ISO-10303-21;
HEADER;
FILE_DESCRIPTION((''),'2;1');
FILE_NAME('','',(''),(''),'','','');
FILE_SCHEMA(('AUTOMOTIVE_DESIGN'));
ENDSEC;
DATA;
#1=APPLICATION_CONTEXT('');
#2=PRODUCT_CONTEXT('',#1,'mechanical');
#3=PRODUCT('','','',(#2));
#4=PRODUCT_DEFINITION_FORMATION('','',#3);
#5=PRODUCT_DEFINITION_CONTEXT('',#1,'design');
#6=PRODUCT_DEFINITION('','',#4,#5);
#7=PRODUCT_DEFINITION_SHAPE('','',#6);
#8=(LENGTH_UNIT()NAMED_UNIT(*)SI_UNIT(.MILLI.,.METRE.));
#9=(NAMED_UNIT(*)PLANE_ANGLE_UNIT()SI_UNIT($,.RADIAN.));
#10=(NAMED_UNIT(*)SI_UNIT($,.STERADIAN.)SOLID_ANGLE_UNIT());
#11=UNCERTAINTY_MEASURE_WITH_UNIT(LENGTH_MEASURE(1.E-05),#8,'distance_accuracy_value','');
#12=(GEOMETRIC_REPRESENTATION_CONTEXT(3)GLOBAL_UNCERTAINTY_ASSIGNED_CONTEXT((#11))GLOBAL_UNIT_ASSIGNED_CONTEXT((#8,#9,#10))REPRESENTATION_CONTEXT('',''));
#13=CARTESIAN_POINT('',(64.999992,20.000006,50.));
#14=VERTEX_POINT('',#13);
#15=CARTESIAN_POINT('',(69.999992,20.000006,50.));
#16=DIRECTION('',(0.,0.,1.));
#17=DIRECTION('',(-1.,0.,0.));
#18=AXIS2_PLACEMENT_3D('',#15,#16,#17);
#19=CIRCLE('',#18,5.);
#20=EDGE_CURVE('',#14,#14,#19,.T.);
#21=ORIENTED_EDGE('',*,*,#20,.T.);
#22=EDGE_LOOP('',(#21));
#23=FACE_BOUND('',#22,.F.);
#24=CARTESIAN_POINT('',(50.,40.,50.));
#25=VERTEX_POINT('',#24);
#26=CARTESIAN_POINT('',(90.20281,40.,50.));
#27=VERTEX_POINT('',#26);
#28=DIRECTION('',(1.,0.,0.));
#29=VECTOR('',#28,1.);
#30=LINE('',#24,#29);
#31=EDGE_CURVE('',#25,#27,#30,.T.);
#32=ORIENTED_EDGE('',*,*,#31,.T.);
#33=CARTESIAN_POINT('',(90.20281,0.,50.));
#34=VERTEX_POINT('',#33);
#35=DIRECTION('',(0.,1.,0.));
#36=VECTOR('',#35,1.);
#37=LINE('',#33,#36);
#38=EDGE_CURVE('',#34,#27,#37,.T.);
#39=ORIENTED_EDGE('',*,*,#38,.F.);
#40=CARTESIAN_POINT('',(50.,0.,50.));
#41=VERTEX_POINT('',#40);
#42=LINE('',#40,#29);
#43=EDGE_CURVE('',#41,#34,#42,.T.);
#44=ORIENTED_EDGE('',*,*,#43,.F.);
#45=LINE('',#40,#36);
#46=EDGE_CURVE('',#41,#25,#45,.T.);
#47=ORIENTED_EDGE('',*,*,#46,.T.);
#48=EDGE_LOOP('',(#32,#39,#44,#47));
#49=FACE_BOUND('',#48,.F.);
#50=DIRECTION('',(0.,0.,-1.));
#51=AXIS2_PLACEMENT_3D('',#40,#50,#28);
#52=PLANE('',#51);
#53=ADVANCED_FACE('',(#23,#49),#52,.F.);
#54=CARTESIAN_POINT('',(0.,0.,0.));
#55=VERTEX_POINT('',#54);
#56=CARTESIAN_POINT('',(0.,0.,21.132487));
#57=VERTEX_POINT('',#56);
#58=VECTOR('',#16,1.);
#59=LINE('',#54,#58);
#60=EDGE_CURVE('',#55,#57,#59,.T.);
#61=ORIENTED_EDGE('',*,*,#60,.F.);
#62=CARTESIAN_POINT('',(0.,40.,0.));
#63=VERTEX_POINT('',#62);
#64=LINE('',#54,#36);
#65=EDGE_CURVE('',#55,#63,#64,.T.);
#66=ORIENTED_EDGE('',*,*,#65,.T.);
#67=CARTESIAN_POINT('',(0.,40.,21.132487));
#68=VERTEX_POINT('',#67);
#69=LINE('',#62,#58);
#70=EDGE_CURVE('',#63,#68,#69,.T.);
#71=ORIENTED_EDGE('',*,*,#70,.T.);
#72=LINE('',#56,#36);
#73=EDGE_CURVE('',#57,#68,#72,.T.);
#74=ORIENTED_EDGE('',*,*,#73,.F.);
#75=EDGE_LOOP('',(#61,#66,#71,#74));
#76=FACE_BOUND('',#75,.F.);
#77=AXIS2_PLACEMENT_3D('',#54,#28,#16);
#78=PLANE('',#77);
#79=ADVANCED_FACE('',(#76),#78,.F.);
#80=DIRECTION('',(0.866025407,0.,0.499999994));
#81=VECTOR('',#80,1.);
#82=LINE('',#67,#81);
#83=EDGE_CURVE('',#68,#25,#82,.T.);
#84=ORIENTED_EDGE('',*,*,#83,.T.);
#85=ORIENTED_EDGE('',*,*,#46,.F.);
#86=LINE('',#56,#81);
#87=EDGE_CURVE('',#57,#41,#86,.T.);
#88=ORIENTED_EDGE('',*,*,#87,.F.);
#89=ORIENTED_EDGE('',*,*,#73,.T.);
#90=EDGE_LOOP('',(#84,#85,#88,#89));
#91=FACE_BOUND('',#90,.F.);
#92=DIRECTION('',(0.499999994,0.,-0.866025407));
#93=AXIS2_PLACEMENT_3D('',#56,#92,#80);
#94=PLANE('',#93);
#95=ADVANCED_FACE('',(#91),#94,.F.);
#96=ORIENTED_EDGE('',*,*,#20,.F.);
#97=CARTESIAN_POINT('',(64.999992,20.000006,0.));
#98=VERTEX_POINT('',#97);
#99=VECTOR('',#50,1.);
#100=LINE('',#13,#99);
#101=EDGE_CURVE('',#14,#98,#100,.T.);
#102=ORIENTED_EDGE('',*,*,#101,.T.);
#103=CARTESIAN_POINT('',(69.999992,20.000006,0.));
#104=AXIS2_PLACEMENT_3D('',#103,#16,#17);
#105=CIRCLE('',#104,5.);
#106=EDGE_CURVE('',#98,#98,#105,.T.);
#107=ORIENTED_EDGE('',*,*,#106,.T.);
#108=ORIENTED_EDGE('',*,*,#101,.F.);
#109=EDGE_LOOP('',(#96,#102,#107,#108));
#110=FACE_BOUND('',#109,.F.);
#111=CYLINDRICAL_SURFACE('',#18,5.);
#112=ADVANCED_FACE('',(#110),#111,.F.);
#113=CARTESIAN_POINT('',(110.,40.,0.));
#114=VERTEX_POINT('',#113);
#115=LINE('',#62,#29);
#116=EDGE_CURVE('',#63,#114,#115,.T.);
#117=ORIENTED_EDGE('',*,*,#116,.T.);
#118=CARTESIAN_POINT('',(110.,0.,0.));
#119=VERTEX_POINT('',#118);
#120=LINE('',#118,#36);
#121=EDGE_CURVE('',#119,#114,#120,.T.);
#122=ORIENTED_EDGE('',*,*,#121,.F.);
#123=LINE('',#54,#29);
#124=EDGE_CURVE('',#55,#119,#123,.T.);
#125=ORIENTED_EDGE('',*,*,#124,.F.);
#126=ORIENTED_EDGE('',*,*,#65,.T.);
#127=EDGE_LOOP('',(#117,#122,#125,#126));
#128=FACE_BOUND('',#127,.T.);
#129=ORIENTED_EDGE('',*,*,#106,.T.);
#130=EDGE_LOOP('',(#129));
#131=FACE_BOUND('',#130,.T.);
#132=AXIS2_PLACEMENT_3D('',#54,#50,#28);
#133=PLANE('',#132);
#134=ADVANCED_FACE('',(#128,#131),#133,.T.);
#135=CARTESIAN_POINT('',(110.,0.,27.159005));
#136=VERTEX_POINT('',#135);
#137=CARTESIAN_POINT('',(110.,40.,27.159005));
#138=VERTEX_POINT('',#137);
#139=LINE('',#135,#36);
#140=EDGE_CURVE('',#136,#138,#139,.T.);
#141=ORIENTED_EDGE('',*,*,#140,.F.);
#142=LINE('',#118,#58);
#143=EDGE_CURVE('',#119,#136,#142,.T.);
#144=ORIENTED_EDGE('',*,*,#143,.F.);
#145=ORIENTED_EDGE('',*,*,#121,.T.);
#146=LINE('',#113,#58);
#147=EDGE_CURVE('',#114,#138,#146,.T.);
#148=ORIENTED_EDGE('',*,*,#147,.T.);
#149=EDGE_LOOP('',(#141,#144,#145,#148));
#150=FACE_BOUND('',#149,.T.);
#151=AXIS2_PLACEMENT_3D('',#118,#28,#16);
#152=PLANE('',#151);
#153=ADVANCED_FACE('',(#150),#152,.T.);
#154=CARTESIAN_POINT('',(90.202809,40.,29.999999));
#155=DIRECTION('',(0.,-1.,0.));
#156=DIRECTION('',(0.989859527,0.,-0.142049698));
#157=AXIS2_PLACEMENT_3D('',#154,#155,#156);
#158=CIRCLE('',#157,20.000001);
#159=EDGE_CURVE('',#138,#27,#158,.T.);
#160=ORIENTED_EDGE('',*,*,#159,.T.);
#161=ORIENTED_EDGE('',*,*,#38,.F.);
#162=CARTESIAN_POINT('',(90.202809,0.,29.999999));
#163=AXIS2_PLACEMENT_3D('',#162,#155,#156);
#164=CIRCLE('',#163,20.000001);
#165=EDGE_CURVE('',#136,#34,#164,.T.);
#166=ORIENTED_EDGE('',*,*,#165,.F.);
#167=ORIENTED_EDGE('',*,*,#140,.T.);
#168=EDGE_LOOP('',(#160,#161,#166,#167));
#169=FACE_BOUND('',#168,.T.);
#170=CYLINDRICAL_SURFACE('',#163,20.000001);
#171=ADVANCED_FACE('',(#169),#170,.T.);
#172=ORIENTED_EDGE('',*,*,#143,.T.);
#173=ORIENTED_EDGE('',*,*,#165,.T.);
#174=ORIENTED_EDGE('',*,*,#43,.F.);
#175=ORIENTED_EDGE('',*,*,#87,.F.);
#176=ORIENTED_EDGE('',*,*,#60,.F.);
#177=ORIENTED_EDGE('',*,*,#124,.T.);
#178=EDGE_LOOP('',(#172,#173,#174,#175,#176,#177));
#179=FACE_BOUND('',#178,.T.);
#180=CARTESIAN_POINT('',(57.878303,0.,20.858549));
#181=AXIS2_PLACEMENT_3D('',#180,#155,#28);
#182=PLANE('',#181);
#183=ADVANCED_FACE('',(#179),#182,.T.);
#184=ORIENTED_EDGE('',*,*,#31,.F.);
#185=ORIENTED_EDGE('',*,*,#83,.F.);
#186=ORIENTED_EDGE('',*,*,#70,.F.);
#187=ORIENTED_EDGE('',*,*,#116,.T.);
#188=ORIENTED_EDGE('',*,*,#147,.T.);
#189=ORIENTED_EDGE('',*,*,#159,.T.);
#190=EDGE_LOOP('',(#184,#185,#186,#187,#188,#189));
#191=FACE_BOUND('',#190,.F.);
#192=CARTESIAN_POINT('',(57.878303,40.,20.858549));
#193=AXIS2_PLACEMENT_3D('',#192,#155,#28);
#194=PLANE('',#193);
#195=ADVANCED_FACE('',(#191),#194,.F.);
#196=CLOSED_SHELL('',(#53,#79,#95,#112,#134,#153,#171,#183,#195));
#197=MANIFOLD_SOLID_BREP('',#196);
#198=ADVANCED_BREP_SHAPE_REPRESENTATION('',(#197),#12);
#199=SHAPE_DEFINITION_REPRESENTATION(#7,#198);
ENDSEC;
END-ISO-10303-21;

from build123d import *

# Parameters (mm, degrees)
PAD_DEPTH    = 40
SKETCH_R     = 5
POCKET_DEPTH = 50.001


with BuildPart() as part:
    # Sketch001 → Pad (new body)
    with BuildSketch(Plane.XZ):
        with BuildLine():
            Line((0, 0), (110, 0))
            Line((110, 0), (110, 27.159005))
            ThreePointArc((110, 27.159005), (105.316047, 43.099238), (90.20281, 50))
            Line((50, 50), (90.20281, 50))
            Line((0, 21.132487), (50, 50))
            Line((0, 0), (0, 21.132487))
        make_face()
    extrude(amount=-PAD_DEPTH)

    # Sketch (on Face4 of Pad) → Pocket (cut, through all)
    with BuildSketch(Plane(origin=(0, 0, 50), x_dir=(-1, 0, 0), z_dir=(0, 0, 1))):
        with Locations((-69.999992, -20.000006)):
            Circle(SKETCH_R)
    extrude(amount=-POCKET_DEPTH, mode=Mode.SUBTRACT)


solid = part.part
